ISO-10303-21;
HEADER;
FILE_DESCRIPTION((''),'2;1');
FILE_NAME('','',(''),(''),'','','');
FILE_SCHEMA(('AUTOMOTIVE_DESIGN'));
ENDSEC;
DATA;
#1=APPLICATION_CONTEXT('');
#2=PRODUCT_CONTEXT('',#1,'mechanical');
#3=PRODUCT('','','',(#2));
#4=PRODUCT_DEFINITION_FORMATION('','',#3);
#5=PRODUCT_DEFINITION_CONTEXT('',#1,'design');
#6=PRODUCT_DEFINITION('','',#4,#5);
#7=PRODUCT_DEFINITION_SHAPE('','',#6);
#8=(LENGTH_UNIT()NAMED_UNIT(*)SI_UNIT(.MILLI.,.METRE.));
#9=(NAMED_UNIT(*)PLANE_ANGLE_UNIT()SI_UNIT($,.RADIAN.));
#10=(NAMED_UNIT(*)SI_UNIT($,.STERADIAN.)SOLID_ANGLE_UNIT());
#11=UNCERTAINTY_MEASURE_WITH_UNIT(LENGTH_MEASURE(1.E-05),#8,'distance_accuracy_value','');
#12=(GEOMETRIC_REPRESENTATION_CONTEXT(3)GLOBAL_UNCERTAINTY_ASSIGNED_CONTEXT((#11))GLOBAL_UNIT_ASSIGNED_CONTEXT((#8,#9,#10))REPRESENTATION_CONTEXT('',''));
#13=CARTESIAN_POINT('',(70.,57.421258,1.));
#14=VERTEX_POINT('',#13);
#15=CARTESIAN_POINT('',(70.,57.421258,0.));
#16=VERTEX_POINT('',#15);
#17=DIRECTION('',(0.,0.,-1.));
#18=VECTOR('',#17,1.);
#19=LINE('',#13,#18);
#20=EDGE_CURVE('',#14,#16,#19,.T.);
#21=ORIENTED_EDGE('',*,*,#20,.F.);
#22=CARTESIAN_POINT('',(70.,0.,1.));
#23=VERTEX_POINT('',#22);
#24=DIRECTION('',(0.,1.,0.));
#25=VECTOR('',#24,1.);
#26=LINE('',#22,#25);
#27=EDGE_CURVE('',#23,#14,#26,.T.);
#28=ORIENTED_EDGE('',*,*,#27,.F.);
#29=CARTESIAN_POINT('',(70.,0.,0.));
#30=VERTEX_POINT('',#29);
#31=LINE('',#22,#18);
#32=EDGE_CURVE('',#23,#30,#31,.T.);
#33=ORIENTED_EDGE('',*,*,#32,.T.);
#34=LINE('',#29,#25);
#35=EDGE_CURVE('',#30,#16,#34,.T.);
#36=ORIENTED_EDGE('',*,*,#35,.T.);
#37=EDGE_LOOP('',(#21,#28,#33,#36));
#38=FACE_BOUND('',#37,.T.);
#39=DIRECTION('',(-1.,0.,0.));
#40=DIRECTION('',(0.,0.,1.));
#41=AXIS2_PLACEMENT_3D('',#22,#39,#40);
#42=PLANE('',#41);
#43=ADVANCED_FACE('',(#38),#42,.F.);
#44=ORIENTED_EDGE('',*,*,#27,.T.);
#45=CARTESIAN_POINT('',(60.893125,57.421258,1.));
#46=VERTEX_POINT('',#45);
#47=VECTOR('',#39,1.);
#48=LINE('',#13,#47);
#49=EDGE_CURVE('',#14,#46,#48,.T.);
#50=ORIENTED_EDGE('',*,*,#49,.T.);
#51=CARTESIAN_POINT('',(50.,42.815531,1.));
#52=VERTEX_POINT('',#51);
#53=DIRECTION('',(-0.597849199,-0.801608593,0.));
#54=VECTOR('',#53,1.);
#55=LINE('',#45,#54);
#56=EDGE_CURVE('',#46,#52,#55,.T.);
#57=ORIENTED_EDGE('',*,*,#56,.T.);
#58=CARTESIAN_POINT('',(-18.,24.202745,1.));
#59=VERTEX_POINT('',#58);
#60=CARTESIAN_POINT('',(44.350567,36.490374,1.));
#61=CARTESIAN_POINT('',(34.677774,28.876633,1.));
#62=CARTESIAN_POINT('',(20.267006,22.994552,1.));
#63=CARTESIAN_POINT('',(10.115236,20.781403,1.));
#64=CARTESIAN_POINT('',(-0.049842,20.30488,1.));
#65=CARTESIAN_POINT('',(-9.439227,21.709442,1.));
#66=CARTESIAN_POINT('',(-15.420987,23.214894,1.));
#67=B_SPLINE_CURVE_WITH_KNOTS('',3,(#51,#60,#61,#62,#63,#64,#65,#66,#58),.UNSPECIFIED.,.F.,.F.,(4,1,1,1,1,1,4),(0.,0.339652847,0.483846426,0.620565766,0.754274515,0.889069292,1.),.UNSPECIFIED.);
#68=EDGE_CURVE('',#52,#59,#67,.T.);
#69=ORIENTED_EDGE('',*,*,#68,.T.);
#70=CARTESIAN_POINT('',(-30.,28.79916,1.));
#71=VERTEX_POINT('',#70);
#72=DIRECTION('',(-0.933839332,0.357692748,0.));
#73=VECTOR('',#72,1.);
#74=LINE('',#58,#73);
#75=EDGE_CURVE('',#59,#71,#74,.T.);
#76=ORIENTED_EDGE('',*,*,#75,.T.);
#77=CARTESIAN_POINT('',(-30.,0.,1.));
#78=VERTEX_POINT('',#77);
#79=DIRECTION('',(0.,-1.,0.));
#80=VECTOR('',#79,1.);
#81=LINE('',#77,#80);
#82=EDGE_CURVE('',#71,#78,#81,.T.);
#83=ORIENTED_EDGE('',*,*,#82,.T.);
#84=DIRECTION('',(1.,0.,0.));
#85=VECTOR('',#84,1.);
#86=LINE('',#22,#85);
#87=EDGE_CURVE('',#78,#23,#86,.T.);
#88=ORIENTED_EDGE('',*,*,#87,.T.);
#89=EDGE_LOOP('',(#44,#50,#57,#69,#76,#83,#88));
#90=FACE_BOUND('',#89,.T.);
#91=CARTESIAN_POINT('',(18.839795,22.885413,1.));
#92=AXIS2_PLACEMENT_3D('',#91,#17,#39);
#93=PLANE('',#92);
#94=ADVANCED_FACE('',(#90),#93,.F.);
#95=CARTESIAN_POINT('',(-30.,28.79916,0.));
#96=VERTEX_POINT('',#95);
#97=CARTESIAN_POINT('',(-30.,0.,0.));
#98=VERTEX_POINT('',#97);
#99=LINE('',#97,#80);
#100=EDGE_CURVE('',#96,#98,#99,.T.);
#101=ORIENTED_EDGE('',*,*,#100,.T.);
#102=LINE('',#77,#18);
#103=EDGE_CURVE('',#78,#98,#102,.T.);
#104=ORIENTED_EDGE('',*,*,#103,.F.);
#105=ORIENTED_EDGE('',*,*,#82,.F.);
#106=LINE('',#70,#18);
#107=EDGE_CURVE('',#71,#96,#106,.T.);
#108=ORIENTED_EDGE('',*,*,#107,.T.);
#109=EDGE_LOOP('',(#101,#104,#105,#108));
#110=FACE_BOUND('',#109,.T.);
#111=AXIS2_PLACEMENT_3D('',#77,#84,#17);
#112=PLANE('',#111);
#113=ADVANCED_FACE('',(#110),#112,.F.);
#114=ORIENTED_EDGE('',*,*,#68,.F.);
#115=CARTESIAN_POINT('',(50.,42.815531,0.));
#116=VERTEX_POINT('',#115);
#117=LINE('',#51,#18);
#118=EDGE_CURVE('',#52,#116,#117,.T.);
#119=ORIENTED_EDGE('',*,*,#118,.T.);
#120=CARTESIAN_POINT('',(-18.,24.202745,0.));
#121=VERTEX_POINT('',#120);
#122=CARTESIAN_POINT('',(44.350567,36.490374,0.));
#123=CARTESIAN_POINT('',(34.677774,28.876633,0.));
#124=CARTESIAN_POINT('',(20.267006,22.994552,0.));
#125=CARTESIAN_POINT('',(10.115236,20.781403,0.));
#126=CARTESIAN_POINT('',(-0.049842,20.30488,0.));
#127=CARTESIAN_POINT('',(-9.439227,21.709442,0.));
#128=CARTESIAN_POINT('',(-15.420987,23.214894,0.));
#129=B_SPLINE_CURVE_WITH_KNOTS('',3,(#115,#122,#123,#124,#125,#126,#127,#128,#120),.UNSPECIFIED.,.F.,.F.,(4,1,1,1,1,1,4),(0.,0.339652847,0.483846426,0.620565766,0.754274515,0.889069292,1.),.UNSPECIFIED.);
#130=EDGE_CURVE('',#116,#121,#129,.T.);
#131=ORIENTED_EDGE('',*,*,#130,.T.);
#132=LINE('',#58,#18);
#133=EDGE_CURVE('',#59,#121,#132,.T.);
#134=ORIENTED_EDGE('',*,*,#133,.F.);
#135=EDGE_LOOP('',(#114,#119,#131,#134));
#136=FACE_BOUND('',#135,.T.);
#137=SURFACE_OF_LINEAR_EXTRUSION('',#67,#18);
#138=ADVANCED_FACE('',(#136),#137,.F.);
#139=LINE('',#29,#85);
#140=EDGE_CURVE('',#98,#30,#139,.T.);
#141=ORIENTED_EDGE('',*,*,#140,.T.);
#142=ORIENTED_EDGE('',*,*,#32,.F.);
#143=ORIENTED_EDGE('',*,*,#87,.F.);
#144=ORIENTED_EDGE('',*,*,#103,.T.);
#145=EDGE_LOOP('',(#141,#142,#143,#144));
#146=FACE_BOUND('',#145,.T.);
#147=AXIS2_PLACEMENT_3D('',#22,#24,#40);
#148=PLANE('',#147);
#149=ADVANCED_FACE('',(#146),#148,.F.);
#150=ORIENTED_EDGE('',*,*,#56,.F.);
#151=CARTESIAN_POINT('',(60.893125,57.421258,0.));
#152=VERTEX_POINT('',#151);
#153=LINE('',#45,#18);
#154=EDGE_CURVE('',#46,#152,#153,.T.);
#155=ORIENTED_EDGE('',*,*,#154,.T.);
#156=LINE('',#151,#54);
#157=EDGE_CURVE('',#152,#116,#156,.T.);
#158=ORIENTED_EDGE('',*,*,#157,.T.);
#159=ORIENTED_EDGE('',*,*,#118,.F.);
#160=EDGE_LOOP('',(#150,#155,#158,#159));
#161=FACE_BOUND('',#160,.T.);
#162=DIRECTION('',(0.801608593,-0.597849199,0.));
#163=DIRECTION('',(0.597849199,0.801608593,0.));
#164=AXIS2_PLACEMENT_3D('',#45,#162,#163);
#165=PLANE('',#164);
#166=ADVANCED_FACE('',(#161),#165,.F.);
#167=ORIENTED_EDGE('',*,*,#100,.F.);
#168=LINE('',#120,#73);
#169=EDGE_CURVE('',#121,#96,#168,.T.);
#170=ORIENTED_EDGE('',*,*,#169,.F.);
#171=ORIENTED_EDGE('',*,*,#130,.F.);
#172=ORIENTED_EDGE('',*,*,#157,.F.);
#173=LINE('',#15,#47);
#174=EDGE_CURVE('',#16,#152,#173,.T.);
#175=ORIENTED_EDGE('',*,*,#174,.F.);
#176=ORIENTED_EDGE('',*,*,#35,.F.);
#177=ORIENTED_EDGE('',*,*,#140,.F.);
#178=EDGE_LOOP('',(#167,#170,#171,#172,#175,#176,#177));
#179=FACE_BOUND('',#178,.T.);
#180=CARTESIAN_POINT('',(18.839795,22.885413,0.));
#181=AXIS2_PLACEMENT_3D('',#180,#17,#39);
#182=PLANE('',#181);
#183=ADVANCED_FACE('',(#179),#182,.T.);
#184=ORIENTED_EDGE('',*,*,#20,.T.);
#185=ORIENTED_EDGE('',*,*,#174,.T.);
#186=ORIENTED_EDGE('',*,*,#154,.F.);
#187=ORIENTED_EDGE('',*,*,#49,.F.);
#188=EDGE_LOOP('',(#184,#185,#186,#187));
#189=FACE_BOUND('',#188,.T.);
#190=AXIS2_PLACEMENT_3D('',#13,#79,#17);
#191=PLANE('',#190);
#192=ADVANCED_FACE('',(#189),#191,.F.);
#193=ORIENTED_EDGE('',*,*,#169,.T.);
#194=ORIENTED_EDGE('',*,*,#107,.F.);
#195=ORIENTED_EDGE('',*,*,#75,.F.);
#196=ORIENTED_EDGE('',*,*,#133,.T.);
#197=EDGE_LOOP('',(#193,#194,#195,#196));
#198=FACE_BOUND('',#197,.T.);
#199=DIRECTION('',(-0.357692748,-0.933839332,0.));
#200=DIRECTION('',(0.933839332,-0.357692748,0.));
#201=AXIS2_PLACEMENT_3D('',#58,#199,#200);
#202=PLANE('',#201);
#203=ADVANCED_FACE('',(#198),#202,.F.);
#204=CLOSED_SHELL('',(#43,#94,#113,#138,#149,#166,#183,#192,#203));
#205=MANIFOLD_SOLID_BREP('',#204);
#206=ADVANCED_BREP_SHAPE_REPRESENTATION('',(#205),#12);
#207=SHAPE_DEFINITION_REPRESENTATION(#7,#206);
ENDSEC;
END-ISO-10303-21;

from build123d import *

# Parameters (mm, degrees)
P_IDAT_VYSUNUT_M1_DEPTH = 1


with BuildPart() as part:
    # Skica1 → Přidat vysunutím1 (new body)
    with BuildSketch(Plane.XY):
        with BuildLine():
            Line((-18, 24.202745422), (-30, 28.799160271))
            Line((-30, 28.799160271), (-30, 0))
            Line((-30, 0), (70, 0))
            Line((70, 0), (70, 57.421257865))
            Line((70, 57.421257865), (60.893124688, 57.421257865))
            Line((60.893124688, 57.421257865), (50, 42.815530581))
            add(Edge.make_bspline(
                [(-18, 24.202745422), (-15.420987086, 23.214894317), (-9.439226577, 21.709441745), (-0.04984208, 20.304879655), (10.115235915, 20.781402631), (20.26700575, 22.994551549), (34.677773963, 28.876632867), (44.35056656, 36.49037351), (50, 42.815530581)],
                knots=[0, 0, 0, 0, 0.110930708, 0.245725485, 0.379434234, 0.516153574, 0.660347153, 1, 1, 1, 1], degree=3))
        make_face()
    extrude(amount=P_IDAT_VYSUNUT_M1_DEPTH)


solid = part.part
